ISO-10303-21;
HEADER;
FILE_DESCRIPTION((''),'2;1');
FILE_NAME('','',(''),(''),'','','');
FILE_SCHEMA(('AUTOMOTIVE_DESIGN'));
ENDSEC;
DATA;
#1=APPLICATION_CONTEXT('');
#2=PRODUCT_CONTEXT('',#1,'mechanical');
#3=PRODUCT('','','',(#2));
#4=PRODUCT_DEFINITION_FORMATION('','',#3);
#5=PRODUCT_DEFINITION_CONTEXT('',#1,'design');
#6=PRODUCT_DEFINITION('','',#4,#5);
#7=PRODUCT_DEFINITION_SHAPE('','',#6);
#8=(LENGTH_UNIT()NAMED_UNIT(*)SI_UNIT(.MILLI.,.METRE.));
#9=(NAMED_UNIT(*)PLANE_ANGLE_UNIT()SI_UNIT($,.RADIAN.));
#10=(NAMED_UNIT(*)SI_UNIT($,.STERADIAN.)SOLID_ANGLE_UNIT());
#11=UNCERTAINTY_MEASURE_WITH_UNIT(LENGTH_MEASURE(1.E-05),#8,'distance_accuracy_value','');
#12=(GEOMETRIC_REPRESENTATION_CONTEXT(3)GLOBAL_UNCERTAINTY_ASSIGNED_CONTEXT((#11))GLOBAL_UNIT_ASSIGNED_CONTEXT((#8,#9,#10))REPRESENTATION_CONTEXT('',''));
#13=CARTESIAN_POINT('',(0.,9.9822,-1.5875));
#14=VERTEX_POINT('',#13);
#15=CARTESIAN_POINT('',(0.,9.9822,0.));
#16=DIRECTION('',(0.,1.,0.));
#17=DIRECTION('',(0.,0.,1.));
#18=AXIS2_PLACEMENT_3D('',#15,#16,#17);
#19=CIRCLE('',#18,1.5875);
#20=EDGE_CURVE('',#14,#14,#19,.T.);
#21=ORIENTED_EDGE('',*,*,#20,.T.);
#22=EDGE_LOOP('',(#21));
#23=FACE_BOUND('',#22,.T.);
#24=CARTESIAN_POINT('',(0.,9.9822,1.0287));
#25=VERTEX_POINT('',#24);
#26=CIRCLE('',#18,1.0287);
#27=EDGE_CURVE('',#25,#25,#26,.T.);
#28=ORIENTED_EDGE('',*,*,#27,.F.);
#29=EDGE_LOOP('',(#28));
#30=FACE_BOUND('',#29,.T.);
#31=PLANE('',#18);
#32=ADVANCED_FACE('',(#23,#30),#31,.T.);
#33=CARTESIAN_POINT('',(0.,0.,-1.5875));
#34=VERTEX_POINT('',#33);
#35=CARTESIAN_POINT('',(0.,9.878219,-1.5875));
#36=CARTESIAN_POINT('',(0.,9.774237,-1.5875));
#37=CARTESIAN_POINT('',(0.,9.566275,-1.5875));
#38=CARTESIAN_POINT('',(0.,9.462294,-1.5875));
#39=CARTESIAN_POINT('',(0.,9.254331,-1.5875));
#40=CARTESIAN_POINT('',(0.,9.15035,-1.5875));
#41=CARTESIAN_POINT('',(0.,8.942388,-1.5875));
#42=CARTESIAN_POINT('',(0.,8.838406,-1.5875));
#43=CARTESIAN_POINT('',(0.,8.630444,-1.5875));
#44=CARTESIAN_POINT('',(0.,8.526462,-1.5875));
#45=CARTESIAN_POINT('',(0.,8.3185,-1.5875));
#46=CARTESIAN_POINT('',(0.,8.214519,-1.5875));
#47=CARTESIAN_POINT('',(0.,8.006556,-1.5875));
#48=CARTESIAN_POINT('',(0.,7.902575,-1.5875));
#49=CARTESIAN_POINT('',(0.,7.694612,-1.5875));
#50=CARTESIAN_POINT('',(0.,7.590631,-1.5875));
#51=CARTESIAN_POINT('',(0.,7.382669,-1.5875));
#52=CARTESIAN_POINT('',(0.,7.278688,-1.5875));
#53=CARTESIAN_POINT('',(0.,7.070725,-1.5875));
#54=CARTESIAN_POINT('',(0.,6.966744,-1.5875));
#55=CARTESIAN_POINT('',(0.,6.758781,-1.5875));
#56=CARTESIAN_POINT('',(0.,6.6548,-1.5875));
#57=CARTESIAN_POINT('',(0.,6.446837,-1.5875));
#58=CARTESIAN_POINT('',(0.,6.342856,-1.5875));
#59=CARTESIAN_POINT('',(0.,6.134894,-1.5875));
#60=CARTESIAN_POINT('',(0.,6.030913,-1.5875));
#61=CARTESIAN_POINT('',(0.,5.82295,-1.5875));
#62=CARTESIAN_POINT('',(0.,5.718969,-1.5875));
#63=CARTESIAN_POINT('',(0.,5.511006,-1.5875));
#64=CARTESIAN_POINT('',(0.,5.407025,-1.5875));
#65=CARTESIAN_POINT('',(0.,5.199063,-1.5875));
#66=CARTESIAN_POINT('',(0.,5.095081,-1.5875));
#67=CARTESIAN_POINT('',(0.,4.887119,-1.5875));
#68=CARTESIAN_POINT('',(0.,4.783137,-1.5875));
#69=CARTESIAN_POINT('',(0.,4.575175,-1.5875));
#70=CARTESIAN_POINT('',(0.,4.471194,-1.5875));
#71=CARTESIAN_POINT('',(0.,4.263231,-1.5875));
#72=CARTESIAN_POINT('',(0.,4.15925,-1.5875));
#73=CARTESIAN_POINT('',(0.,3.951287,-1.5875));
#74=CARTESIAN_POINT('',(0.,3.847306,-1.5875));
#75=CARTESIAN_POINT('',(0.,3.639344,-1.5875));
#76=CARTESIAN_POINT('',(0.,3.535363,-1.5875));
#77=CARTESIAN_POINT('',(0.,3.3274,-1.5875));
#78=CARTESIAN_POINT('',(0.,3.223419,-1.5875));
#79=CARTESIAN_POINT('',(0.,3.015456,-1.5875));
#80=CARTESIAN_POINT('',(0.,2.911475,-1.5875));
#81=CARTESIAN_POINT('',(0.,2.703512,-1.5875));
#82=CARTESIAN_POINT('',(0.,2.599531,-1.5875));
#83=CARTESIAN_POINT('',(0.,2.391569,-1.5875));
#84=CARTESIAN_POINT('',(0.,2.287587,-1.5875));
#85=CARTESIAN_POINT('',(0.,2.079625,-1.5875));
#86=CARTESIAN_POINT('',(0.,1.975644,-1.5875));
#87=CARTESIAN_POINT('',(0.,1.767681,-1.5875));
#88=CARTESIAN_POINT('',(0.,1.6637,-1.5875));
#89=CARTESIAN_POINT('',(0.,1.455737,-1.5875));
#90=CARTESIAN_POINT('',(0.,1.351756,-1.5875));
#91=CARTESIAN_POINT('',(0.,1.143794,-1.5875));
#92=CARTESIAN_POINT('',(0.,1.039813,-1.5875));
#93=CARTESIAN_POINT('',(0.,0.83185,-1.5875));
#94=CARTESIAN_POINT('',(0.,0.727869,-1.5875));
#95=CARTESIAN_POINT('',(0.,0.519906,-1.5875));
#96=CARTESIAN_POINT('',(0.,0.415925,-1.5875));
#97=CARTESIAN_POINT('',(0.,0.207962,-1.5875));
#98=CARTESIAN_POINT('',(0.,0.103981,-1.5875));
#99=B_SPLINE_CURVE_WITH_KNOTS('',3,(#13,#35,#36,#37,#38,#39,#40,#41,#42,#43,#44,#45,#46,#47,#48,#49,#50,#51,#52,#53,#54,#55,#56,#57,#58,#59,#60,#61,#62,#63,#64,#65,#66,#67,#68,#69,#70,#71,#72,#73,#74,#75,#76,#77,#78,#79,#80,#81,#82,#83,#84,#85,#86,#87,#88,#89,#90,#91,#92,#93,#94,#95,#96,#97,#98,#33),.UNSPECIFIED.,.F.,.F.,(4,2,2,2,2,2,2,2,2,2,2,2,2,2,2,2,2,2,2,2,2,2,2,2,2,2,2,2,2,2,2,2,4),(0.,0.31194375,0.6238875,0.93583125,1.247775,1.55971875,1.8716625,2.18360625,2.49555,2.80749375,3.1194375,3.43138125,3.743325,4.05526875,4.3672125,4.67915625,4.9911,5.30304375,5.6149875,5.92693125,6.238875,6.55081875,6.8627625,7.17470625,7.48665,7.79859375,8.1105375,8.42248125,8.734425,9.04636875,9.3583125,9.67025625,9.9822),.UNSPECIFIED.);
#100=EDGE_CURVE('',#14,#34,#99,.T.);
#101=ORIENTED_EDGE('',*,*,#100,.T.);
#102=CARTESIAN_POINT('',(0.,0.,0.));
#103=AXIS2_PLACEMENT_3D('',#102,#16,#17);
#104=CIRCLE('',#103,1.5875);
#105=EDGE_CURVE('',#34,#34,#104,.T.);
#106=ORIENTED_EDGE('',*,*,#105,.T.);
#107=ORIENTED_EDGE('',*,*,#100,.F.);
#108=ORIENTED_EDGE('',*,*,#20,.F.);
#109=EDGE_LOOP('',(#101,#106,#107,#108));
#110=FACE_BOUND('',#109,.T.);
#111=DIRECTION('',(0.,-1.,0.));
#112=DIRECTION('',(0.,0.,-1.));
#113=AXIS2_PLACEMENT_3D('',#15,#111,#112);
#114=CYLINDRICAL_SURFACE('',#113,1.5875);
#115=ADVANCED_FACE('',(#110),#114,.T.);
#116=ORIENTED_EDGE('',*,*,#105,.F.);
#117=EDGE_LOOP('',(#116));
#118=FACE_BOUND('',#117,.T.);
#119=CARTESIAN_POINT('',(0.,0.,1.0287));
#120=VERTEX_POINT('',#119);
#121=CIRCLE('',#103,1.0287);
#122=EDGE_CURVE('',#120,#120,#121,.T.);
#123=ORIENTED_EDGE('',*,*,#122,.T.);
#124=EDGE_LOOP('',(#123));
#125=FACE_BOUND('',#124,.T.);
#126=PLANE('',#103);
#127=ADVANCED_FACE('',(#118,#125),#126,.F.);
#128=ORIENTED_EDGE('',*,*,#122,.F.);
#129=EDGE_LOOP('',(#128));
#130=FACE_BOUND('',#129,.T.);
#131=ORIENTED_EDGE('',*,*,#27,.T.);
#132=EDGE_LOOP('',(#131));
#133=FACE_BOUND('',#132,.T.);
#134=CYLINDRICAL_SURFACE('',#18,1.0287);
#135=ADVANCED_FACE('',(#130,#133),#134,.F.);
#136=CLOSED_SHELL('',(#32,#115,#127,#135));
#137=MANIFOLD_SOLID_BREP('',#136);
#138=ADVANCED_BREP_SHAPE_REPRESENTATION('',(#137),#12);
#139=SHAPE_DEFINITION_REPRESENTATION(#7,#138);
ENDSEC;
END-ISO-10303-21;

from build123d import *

# Parameters (mm, degrees)
SKETCH1_R                   = 1.5875
BOSS_EXTRUDE1_DEPTH         = 9.9822
F_46_0_081_DIAMETER_HOLE1_D = 2.0574


with BuildPart() as part:
    # Sketch1 → Boss-Extrude1 (new body)
    with BuildSketch(Plane(origin=(0, 0, 0), x_dir=(1, 0, 0), z_dir=(0, 1, 0))):
        with Locations(Location((0, 0, 0), (0, 0, 90))):
            Circle(SKETCH1_R)
    extrude(amount=BOSS_EXTRUDE1_DEPTH)

    # #46 (0.081) Diameter Hole1 (through all)
    with Locations(Plane(origin=(0, 9.9822, 0), x_dir=(1, 0, 0), z_dir=(0, 1, 0))):
        with Locations((0, 0)):
            Hole(F_46_0_081_DIAMETER_HOLE1_D / 2)


solid = part.part
